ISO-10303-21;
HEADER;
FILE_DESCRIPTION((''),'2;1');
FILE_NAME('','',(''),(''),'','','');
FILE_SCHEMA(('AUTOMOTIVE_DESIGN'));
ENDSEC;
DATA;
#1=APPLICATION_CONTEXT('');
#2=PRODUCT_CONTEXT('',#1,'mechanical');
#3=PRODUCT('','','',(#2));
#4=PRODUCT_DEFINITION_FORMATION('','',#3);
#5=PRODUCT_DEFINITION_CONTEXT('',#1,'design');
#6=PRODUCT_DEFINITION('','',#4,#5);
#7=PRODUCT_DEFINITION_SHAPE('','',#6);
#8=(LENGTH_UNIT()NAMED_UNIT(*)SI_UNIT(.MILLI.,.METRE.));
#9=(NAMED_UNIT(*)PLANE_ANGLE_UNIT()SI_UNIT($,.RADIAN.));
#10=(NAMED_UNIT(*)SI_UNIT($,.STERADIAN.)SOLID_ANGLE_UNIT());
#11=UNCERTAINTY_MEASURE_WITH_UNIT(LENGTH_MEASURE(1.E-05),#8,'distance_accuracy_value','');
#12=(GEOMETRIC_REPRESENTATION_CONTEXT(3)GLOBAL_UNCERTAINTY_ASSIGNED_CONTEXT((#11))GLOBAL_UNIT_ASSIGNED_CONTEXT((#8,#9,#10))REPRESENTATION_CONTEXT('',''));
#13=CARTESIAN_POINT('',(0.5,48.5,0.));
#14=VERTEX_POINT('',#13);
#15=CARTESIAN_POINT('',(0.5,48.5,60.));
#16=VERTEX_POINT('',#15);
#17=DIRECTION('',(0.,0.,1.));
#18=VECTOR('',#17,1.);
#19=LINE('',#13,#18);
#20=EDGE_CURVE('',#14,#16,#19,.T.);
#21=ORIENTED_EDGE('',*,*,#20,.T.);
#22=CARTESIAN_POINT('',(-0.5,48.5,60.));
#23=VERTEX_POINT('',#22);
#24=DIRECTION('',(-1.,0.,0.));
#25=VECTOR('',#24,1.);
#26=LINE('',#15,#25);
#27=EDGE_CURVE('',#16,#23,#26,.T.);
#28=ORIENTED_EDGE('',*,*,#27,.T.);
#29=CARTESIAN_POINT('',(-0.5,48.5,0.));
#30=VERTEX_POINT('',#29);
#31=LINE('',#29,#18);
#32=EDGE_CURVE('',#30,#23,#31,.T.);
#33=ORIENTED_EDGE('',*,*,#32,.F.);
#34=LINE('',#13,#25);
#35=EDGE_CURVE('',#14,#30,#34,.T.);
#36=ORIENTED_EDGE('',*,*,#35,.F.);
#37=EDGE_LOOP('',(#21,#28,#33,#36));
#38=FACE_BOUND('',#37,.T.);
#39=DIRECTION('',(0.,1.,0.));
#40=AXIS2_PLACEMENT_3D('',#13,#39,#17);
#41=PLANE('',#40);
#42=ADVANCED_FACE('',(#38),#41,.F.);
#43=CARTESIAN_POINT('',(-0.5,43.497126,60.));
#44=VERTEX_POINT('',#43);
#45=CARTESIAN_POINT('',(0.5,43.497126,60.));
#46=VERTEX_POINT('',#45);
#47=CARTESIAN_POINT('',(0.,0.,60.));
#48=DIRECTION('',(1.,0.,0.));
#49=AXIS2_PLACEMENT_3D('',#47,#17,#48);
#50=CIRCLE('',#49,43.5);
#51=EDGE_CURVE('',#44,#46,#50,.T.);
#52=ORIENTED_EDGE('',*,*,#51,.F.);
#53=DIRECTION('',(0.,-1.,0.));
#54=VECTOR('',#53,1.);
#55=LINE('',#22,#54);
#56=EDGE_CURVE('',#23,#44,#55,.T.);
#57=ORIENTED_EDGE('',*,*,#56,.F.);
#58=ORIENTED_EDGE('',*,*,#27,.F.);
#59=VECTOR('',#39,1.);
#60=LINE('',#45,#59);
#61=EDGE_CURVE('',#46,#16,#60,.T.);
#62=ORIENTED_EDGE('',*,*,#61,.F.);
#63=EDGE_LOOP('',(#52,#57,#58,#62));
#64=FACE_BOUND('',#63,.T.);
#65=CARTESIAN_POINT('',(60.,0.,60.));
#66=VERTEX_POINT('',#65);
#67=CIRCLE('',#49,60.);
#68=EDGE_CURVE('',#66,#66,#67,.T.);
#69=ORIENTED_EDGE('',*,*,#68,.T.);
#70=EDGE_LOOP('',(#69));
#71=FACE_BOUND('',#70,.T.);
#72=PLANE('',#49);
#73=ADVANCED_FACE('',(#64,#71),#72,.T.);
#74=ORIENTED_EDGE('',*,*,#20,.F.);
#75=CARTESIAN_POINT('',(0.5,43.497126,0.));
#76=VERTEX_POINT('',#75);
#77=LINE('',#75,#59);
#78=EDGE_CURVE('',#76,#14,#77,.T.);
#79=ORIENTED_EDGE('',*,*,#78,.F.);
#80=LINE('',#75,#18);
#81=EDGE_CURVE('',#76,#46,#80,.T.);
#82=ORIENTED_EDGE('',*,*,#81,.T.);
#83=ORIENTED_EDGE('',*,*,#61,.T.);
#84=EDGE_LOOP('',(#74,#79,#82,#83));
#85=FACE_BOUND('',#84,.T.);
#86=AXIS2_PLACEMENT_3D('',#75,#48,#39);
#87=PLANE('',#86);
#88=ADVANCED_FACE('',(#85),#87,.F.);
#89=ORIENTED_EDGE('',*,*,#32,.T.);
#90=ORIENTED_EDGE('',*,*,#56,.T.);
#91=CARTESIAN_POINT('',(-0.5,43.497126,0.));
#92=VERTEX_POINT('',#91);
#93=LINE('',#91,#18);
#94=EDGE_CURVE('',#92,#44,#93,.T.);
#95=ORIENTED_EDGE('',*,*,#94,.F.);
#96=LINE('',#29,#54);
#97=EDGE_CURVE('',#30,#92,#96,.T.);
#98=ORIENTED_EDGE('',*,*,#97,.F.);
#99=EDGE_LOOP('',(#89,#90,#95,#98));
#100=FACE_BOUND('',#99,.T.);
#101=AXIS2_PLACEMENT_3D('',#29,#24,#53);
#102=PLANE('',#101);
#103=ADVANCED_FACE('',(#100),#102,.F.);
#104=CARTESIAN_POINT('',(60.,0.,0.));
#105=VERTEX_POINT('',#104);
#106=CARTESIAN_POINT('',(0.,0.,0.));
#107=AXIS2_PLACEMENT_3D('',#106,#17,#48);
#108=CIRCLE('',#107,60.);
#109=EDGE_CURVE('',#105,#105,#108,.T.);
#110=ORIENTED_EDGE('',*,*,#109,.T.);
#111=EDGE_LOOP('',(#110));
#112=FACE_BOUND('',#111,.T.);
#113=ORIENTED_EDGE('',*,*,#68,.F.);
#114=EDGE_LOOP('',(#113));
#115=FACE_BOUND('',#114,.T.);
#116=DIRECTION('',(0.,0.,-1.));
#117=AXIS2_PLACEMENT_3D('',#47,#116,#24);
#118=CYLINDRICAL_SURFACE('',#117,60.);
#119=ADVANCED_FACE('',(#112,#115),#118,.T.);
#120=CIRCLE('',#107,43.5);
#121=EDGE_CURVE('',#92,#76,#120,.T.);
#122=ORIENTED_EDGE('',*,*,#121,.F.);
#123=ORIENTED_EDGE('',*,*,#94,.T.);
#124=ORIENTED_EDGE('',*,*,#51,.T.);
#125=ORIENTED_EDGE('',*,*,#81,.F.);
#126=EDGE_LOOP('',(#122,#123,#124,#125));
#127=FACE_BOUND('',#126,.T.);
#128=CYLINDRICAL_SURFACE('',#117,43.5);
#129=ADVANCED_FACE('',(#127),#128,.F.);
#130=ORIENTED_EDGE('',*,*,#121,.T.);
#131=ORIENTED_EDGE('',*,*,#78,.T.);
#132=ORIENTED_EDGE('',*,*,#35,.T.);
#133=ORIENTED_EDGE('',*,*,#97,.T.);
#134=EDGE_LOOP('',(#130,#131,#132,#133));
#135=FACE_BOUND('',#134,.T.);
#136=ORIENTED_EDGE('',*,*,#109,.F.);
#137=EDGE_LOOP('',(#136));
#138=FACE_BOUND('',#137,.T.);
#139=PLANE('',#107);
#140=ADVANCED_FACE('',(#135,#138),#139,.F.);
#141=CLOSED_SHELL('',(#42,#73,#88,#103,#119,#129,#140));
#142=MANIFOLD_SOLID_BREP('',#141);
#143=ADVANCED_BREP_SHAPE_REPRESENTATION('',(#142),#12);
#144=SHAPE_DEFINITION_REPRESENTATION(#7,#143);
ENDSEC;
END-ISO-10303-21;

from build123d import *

# Parameters (mm, degrees)
SKETCH1_R        = 60
SKETCH1_R_2      = 43.5
EXTRUSION1_DEPTH = 60
EXTRUSION3_START = -60
EXTRUSION3_DEPTH = 60


with BuildPart() as part:
    # Sketch1 → Extrusion1 (new body)
    with BuildSketch(Plane.XY):
        Circle(SKETCH1_R)
        Circle(SKETCH1_R_2, mode=Mode.SUBTRACT)
    extrude(amount=EXTRUSION1_DEPTH)

    # Sketch3 → Extrusion3 (cut)
    with BuildSketch(Plane.XY.offset(60).offset(EXTRUSION3_START)):
        with BuildLine():
            Line((-0.5, 48.5), (-0.5, 43.497126342))
            ThreePointArc((-0.5, 43.497126342), (0, 43.5), (0.5, 43.497126342))
            Line((0.5, 43.497126342), (0.5, 48.5))
            Line((0.5, 48.5), (-0.5, 48.5))
        make_face()
    extrude(amount=EXTRUSION3_DEPTH, mode=Mode.SUBTRACT)


solid = part.part
